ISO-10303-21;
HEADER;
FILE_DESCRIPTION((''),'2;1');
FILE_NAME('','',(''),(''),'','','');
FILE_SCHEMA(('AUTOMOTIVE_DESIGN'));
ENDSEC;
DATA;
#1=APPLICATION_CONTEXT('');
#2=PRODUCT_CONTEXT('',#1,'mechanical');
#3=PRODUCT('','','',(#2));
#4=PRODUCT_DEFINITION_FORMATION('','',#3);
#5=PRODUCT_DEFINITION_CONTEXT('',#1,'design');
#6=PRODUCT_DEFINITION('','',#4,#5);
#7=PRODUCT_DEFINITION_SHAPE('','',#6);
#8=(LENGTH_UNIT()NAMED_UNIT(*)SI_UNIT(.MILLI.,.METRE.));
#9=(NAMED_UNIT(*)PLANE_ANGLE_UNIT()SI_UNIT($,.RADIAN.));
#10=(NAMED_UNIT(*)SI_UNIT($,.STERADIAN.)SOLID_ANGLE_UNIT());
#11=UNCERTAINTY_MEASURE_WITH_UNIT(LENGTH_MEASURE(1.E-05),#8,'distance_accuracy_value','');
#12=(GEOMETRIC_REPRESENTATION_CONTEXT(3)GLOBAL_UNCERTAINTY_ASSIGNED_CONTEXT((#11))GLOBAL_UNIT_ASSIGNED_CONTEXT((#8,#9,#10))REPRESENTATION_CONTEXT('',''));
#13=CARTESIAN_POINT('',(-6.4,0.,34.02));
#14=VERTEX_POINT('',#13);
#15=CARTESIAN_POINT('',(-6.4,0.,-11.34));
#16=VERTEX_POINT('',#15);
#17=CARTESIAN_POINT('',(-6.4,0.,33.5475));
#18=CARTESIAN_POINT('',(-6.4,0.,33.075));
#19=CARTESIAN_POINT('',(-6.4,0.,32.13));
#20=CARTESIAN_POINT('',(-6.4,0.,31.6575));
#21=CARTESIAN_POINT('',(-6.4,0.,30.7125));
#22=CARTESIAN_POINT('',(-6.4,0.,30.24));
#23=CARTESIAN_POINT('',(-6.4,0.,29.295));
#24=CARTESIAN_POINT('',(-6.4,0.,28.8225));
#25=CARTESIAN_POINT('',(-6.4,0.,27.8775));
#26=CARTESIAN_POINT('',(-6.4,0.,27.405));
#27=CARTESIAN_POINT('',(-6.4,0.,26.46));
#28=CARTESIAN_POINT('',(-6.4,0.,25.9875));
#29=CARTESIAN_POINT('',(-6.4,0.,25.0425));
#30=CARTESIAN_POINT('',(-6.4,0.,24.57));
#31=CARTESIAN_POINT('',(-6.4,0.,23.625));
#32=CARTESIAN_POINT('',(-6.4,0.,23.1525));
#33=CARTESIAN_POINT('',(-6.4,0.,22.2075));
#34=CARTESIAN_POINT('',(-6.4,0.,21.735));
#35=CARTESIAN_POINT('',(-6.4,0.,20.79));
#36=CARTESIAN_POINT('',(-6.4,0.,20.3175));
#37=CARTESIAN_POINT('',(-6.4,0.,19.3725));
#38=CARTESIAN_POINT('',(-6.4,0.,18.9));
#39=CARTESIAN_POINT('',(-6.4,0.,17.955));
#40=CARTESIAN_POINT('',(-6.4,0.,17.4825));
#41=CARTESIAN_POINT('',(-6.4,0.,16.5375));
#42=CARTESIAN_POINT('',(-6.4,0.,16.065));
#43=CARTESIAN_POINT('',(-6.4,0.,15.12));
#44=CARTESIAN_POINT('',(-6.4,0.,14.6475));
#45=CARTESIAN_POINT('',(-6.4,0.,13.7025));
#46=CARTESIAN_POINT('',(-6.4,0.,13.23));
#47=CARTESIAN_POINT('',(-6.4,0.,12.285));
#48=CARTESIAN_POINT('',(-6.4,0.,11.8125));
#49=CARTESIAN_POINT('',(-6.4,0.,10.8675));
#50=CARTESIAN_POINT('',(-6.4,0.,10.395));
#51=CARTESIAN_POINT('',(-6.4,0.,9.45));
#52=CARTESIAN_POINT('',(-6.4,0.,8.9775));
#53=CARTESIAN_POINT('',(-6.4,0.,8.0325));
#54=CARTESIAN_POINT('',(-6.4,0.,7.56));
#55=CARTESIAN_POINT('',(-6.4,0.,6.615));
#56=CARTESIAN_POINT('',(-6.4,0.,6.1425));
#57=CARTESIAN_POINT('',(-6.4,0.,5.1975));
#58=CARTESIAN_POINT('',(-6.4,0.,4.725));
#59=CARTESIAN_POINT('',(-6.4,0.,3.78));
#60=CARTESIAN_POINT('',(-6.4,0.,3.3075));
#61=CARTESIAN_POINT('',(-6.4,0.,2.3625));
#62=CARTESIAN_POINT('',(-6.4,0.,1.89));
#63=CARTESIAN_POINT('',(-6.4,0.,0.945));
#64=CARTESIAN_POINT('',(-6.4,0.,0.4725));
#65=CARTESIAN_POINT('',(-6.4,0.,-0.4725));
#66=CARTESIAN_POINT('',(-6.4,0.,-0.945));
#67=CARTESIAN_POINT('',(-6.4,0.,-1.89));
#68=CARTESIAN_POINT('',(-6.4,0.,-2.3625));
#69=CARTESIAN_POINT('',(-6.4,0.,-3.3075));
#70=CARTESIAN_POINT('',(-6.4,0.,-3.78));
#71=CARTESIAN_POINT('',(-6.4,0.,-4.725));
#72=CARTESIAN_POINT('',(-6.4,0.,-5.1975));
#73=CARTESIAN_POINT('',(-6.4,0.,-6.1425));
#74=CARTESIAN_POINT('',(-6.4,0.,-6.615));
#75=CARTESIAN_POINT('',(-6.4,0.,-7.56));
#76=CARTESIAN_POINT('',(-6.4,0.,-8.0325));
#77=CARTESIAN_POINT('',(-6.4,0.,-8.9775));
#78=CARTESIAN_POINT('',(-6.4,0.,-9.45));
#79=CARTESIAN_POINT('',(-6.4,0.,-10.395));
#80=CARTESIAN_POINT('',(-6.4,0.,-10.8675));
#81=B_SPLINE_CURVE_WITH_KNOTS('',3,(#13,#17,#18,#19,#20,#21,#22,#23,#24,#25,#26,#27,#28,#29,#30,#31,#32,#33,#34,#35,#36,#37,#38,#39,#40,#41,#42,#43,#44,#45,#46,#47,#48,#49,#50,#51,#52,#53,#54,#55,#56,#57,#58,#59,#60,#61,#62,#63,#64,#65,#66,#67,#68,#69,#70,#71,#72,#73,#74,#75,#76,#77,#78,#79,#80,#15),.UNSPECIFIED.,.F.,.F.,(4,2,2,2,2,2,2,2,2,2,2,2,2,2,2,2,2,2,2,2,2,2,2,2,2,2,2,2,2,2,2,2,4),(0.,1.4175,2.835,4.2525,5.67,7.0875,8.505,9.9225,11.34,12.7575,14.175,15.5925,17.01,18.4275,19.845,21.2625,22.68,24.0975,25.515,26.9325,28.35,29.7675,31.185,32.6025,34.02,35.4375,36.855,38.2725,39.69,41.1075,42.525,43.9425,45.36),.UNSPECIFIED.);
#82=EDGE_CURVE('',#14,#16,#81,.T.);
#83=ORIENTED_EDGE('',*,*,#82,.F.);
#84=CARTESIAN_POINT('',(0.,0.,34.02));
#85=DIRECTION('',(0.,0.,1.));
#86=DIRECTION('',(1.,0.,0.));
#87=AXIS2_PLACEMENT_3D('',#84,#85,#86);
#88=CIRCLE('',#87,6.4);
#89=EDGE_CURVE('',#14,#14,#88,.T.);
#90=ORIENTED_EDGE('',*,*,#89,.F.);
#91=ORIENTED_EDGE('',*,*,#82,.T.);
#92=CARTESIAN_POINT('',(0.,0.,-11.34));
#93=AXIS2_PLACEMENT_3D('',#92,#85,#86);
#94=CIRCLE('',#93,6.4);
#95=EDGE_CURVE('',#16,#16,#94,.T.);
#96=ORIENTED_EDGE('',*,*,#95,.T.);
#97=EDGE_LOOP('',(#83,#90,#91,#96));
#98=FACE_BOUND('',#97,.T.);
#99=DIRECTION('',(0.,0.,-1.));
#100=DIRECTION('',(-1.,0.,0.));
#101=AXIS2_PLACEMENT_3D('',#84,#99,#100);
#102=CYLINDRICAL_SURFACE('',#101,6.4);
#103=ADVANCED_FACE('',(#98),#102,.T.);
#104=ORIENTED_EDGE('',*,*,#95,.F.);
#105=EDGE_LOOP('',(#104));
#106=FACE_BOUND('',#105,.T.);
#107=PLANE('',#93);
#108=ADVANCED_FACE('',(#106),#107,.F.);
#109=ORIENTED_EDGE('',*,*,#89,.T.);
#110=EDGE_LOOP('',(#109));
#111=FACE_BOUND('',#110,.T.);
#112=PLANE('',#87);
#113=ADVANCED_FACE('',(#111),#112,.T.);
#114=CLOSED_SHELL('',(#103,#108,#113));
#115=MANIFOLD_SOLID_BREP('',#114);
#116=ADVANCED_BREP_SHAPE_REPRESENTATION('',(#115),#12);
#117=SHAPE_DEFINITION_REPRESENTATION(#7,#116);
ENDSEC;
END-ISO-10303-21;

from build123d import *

# Parameters (mm, degrees)
SKETCH1_R           = 3.2
BOSS_EXTRUDE1_DEPTH = 22.68
SCALE_1_SCALE       = 2


with BuildPart() as part:
    # Sketch1 → Boss-Extrude1 (new body)
    with BuildSketch(Plane.XY):
        with Locations(Location((0, 0, 0), (0, 0, 180))):
            Circle(SKETCH1_R)
    extrude(amount=BOSS_EXTRUDE1_DEPTH)


with BuildPart() as part_1:
    # 缩放比例1: scaled about (0, 0, 11.34)
    add(part.part.scale(SCALE_1_SCALE).moved(Location((0, 0, -11.34))))


solid = part_1.part
